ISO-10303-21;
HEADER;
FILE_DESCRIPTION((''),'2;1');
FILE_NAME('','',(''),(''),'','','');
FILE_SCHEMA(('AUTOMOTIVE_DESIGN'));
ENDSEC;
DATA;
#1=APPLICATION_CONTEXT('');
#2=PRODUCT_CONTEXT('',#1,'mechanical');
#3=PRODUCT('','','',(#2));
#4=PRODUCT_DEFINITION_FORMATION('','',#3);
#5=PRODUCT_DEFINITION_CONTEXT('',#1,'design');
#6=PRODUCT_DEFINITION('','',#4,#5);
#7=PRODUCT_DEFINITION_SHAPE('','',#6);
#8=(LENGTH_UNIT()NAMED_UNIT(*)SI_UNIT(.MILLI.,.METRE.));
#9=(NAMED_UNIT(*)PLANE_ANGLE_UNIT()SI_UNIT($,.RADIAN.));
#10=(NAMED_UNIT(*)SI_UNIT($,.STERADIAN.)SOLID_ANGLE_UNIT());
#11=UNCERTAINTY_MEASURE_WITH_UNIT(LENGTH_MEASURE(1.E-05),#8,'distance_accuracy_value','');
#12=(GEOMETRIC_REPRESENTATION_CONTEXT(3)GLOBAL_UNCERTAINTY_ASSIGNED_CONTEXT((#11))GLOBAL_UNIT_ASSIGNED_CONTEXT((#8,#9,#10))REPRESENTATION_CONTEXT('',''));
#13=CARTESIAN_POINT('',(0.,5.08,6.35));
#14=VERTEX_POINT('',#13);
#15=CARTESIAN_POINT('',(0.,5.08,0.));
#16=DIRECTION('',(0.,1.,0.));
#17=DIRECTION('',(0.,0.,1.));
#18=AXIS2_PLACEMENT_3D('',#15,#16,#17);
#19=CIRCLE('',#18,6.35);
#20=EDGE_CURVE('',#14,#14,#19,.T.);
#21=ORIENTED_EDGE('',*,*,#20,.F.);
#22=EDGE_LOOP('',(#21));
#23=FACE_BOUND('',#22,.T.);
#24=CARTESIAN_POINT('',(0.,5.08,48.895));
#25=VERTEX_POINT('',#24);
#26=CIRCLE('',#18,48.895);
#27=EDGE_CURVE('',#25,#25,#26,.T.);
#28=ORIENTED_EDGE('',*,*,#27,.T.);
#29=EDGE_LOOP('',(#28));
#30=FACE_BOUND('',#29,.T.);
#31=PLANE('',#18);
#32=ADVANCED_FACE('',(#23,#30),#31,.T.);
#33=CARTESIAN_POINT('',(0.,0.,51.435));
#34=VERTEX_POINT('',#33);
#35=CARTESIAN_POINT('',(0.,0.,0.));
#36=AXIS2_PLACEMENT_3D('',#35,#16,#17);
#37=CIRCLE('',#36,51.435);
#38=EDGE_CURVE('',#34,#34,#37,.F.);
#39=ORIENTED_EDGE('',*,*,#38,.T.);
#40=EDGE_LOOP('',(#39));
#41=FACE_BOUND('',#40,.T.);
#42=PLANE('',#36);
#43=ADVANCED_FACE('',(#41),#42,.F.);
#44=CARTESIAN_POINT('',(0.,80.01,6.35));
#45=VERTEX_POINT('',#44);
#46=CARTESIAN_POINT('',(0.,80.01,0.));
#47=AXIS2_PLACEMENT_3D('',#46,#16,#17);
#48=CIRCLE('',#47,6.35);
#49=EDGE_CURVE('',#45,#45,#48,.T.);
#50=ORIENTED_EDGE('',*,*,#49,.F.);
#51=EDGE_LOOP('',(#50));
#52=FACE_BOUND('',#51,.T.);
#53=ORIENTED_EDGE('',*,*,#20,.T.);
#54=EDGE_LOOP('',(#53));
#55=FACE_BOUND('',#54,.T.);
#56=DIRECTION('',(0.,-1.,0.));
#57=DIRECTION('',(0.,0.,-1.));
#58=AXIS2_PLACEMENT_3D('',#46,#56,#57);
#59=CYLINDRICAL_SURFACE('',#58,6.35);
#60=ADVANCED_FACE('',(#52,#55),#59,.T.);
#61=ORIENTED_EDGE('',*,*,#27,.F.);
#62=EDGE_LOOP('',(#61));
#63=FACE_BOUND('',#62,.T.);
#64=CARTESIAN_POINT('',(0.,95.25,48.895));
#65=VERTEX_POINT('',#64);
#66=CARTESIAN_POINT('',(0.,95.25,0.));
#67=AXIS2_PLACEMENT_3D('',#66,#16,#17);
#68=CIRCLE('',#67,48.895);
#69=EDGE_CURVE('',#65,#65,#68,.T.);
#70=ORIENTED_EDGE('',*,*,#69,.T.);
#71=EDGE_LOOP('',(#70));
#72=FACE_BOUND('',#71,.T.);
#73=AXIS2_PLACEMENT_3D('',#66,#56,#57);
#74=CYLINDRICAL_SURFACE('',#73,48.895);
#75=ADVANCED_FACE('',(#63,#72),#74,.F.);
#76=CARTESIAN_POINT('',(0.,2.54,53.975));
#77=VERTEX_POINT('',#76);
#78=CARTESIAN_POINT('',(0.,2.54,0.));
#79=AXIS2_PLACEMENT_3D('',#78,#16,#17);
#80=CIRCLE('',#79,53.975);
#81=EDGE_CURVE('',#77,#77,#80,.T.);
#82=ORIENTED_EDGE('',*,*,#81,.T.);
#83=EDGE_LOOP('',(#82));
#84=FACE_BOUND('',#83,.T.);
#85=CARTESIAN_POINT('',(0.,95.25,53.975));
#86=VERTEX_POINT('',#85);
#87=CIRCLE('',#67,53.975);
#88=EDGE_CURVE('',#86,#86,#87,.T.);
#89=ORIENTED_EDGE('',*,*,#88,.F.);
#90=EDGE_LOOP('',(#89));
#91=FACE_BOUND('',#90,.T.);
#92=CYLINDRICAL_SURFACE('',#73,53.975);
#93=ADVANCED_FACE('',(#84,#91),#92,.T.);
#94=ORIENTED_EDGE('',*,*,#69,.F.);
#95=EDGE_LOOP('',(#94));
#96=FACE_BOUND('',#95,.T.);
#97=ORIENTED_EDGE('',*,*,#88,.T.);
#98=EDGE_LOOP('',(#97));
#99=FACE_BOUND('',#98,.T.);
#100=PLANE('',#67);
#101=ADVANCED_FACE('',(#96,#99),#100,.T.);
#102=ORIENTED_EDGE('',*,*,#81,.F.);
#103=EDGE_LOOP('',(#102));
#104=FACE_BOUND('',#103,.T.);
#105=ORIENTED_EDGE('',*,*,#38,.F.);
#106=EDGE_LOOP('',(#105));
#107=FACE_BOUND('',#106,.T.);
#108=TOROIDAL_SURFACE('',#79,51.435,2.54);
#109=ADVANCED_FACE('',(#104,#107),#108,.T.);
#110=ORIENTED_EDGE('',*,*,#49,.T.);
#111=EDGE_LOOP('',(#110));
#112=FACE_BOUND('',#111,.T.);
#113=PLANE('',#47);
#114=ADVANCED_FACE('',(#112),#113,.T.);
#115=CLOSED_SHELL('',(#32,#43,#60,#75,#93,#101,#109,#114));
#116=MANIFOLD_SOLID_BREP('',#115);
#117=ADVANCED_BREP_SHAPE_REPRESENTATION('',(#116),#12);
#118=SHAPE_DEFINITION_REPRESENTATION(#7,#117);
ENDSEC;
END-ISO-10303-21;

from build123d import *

# Parameters (mm, degrees)
SKETCH1_R           = 53.975
BOSS_EXTRUDE1_DEPTH = 95.25
SHELL1_T            = -5.08
SKETCH2_R           = 6.35
BOSS_EXTRUDE2_DEPTH = 74.93
FILLET1_R           = 2.54


with BuildPart() as part:
    # Sketch1 → Boss-Extrude1 (new body)
    with BuildSketch(Plane(origin=(0, 0, 0), x_dir=(1, 0, 0), z_dir=(0, 1, 0))):
        Circle(SKETCH1_R)
    extrude(amount=BOSS_EXTRUDE1_DEPTH)

    # Shell1
    shell1_openings = [part.faces().sort_by_distance(p)[0] for p in [
        (0, 95.25, 0),
    ]]
    offset(amount=SHELL1_T, openings=shell1_openings, kind=Kind.INTERSECTION)

    # Sketch2 → Boss-Extrude2 (add)
    with BuildSketch(Plane(origin=(0, 5.08, 0), x_dir=(1, 0, 0), z_dir=(0, 1, 0))):
        Circle(SKETCH2_R)
    extrude(amount=BOSS_EXTRUDE2_DEPTH)

    # Fillet1
    fillet1_edges = [part.edges().sort_by_distance(p)[0] for p in [
        (-53.975, 0, 0),
    ]]
    fillet(fillet1_edges, radius=FILLET1_R)


solid = part.part
